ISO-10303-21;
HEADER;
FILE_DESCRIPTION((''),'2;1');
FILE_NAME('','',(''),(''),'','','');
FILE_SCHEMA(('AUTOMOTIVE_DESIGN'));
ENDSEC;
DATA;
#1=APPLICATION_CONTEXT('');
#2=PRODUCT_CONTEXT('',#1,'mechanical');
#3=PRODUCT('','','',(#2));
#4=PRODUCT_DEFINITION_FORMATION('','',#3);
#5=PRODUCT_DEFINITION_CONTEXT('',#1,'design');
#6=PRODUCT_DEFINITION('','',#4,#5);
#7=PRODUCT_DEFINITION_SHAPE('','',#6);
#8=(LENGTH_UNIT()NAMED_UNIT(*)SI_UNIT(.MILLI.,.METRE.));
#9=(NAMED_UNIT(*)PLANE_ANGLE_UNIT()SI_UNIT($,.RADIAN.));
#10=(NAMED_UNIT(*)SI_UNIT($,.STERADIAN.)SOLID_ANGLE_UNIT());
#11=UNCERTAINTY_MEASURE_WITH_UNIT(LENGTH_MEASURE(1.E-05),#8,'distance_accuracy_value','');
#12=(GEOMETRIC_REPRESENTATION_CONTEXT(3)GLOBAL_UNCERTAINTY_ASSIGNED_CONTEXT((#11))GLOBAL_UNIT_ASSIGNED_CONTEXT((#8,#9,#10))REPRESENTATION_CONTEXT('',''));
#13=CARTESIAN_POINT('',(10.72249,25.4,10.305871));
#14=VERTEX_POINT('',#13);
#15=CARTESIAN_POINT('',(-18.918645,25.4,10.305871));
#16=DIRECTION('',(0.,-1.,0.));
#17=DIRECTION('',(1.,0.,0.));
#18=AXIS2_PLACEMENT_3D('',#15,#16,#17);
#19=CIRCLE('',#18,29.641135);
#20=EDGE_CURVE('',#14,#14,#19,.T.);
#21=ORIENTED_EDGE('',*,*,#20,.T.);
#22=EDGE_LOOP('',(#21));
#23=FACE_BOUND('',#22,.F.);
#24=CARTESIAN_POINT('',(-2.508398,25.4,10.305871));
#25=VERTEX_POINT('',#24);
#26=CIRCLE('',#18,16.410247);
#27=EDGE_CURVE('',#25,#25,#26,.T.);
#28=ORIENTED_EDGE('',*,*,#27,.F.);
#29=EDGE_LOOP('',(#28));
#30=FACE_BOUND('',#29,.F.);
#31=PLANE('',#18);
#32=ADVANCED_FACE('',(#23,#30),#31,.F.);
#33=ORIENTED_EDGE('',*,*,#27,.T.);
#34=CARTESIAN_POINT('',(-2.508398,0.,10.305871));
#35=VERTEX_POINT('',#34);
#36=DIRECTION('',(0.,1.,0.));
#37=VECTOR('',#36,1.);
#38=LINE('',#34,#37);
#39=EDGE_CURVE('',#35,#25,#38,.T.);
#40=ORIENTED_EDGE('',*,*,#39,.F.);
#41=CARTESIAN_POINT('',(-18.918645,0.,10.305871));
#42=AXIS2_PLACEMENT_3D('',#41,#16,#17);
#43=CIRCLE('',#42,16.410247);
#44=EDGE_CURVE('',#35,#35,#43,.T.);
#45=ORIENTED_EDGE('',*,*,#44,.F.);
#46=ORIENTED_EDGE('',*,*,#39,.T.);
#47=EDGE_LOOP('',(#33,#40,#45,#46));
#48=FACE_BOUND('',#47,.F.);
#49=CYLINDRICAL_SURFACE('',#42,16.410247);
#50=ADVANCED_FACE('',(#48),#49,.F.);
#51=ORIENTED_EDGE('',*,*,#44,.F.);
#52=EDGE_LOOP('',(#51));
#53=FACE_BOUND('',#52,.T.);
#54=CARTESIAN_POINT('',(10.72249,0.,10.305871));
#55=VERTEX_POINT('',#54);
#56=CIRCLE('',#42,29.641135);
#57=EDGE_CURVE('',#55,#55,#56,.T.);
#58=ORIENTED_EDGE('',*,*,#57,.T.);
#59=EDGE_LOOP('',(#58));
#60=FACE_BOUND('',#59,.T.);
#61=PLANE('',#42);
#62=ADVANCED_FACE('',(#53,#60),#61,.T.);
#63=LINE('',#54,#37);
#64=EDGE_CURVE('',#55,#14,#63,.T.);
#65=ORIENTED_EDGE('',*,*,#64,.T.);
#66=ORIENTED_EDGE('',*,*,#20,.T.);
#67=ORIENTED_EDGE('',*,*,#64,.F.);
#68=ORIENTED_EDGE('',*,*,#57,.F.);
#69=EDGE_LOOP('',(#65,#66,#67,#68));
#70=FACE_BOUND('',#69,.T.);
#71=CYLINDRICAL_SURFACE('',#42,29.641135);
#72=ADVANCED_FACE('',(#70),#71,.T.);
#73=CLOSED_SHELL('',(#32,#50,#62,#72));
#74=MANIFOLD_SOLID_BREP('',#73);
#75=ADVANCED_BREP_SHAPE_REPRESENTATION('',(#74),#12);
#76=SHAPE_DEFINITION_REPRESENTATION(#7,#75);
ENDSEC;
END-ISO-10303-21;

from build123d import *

# Parameters (mm, degrees)
F0_R     = 29.641135
F0_R_2   = 16.410247
F1_DEPTH = 25.4


with BuildPart() as f1:
    # F0 (on Front) → F1 (new body)
    with BuildSketch(Plane.XZ):
        with Locations((-18.918645, 10.305871)):
            Circle(F0_R)
        with Locations((-18.918645, 10.305871)):
            Circle(F0_R_2, mode=Mode.SUBTRACT)
    extrude(amount=-F1_DEPTH)


solid = f1.part
